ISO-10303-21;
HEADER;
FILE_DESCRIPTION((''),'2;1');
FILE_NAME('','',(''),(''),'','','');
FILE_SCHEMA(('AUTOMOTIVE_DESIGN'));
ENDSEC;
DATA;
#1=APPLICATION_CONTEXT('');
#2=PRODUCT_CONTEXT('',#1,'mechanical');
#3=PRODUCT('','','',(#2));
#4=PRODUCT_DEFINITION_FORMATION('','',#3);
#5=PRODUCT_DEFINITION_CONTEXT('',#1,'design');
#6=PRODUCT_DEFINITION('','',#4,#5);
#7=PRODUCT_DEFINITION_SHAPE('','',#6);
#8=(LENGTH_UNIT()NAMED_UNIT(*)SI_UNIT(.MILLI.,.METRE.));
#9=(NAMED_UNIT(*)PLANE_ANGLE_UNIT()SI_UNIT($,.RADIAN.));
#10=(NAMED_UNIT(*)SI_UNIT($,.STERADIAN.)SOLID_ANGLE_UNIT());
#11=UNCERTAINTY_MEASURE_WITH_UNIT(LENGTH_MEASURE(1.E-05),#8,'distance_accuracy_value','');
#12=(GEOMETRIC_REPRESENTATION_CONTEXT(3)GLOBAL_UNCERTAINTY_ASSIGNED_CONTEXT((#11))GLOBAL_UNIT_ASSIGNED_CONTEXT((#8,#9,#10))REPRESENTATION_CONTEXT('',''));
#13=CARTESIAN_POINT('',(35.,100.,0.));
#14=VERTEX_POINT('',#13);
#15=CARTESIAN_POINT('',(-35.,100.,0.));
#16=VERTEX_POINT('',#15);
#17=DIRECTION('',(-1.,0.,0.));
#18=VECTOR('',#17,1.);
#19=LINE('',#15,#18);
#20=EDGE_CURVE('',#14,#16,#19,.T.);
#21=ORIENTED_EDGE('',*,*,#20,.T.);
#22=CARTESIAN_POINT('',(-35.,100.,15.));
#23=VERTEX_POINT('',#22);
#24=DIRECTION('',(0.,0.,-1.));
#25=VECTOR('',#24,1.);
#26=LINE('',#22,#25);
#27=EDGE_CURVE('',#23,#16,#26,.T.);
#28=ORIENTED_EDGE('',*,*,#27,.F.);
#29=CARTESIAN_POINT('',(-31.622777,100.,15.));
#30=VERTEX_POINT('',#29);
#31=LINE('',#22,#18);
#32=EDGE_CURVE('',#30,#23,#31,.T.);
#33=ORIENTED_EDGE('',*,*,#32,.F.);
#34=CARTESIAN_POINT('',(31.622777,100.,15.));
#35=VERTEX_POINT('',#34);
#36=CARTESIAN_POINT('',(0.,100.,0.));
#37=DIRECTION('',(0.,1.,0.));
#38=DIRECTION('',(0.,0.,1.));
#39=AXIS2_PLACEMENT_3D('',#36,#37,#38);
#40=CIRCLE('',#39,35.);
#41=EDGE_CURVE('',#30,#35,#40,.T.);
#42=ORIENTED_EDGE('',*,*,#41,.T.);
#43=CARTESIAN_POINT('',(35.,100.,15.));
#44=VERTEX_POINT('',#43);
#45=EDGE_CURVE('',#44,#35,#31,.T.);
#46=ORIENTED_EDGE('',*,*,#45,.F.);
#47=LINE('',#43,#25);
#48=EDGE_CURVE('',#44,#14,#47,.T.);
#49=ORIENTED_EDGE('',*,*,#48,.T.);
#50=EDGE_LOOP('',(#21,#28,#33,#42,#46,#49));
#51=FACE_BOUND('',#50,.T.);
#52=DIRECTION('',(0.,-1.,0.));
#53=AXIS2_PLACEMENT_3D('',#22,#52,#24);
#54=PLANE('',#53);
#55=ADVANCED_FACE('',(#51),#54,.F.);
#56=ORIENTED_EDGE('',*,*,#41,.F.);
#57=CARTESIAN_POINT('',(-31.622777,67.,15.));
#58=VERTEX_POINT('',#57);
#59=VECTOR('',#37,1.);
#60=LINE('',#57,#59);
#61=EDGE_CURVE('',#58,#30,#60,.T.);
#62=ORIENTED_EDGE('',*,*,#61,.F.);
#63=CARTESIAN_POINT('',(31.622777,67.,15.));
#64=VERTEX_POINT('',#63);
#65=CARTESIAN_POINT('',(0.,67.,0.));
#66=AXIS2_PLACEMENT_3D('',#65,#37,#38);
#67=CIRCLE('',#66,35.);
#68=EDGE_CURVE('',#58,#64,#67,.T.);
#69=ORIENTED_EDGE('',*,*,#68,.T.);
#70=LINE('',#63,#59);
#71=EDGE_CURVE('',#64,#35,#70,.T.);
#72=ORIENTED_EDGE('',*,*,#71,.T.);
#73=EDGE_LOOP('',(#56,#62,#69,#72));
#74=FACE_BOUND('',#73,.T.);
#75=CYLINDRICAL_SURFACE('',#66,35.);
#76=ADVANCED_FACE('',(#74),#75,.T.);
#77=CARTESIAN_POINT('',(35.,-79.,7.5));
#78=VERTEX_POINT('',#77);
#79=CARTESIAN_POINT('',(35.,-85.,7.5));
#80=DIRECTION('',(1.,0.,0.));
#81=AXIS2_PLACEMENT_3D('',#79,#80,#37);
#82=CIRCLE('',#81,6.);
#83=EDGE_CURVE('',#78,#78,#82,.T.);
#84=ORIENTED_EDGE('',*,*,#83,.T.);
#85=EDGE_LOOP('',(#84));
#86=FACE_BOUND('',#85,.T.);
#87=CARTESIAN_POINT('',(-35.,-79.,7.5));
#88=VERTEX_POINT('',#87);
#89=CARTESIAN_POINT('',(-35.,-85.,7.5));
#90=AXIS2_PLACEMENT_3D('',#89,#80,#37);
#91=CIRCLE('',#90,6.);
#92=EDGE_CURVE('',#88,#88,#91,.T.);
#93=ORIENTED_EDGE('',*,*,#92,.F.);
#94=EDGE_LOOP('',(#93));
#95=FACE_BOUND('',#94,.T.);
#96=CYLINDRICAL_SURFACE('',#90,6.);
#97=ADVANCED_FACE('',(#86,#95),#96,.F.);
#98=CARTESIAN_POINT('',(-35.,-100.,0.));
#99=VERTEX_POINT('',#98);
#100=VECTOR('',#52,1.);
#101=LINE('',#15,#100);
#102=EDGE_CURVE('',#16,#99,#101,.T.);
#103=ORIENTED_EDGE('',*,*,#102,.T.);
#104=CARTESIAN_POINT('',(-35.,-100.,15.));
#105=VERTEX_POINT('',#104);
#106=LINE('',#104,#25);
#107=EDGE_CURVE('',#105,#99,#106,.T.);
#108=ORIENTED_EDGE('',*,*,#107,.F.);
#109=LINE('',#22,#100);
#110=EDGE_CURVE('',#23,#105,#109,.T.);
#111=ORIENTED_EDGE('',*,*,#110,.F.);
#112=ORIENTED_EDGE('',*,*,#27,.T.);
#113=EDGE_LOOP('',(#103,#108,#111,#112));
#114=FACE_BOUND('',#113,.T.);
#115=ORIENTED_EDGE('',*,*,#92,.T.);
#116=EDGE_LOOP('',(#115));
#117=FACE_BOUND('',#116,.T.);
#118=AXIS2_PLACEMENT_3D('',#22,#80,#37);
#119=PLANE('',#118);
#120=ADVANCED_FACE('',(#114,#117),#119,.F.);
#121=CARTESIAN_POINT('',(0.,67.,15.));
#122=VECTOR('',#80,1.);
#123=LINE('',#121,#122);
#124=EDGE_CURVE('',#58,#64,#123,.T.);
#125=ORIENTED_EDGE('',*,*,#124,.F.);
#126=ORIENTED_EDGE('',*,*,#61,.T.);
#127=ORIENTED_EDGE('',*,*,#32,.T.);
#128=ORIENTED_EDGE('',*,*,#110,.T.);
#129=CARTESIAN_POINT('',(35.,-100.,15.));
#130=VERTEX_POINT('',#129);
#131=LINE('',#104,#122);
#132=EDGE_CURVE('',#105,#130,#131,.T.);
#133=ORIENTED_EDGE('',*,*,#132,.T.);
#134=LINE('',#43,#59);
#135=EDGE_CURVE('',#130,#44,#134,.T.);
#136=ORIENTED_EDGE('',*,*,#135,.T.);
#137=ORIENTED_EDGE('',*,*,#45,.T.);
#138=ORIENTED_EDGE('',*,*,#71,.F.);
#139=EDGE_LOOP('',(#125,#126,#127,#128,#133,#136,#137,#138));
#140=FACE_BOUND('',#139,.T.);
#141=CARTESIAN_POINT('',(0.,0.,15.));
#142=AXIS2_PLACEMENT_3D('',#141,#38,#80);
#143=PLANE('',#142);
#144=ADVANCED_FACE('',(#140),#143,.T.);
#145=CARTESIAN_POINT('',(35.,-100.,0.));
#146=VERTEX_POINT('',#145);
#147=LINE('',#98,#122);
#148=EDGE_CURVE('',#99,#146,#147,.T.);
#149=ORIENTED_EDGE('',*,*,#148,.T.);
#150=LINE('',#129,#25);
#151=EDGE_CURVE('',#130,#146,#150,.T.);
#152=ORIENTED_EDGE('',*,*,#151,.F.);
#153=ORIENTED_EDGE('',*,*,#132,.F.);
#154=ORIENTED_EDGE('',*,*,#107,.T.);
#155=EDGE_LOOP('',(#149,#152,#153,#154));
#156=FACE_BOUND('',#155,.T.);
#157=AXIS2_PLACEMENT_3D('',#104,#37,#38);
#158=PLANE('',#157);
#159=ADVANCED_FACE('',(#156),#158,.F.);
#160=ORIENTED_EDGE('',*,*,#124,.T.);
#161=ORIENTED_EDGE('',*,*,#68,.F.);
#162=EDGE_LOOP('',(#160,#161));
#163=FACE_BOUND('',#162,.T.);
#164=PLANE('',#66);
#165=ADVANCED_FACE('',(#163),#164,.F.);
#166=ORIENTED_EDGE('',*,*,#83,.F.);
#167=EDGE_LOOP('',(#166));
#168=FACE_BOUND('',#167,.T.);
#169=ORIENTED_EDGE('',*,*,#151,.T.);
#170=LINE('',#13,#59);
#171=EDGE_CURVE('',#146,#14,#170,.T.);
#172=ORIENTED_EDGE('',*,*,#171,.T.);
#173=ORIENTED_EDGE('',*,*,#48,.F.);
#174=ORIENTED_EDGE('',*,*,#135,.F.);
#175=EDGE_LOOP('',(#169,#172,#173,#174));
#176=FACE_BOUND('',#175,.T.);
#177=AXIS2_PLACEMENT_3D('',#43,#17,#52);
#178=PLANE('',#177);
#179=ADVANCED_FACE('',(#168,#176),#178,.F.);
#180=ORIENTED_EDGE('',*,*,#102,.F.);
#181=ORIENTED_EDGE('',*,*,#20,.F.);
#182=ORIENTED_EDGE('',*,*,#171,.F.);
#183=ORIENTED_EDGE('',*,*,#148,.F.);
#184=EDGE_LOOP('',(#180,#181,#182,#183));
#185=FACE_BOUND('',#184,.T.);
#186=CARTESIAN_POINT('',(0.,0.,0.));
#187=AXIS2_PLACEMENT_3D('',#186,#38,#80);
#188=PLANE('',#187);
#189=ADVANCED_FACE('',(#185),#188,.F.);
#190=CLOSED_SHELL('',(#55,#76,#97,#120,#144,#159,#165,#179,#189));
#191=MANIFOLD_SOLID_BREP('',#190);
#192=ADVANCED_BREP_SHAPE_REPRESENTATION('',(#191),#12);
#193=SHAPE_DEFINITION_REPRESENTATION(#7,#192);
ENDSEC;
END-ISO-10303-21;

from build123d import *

# Parameters (mm, degrees)
SKETCH1_W           = 70
SKETCH1_H           = 200
BOSS_EXTRUDE4_DEPTH = 15
SKETCH9_R           = 6
CUT_EXTRUDE1_DEPTH  = 71
BOSS_EXTRUDE5_DEPTH = 33


with BuildPart() as part:
    # Sketch1 → Boss-Extrude4 (new body)
    with BuildSketch(Plane.XY):
        Rectangle(SKETCH1_W, SKETCH1_H)
    extrude(amount=BOSS_EXTRUDE4_DEPTH)

    # Sketch9 → Cut-Extrude1 (cut, through all)
    with BuildSketch(Plane(origin=(35, 0, 0), x_dir=(0, 0, -1), z_dir=(1, 0, 0))):
        with Locations((-7.5, -85)):
            Circle(SKETCH9_R)
    extrude(amount=-CUT_EXTRUDE1_DEPTH, mode=Mode.SUBTRACT)

    # Sketch10 → Boss-Extrude5 (add)
    with BuildSketch(Plane(origin=(0, 100, 0), x_dir=(1, 0, 0), z_dir=(0, 1, 0))):
        with BuildLine():
            Line((31.622776602, -15), (-31.622776602, -15))
            ThreePointArc((-31.622776602, -15), (0, -35), (31.622776602, -15))
        make_face()
    extrude(amount=-BOSS_EXTRUDE5_DEPTH)


solid = part.part
